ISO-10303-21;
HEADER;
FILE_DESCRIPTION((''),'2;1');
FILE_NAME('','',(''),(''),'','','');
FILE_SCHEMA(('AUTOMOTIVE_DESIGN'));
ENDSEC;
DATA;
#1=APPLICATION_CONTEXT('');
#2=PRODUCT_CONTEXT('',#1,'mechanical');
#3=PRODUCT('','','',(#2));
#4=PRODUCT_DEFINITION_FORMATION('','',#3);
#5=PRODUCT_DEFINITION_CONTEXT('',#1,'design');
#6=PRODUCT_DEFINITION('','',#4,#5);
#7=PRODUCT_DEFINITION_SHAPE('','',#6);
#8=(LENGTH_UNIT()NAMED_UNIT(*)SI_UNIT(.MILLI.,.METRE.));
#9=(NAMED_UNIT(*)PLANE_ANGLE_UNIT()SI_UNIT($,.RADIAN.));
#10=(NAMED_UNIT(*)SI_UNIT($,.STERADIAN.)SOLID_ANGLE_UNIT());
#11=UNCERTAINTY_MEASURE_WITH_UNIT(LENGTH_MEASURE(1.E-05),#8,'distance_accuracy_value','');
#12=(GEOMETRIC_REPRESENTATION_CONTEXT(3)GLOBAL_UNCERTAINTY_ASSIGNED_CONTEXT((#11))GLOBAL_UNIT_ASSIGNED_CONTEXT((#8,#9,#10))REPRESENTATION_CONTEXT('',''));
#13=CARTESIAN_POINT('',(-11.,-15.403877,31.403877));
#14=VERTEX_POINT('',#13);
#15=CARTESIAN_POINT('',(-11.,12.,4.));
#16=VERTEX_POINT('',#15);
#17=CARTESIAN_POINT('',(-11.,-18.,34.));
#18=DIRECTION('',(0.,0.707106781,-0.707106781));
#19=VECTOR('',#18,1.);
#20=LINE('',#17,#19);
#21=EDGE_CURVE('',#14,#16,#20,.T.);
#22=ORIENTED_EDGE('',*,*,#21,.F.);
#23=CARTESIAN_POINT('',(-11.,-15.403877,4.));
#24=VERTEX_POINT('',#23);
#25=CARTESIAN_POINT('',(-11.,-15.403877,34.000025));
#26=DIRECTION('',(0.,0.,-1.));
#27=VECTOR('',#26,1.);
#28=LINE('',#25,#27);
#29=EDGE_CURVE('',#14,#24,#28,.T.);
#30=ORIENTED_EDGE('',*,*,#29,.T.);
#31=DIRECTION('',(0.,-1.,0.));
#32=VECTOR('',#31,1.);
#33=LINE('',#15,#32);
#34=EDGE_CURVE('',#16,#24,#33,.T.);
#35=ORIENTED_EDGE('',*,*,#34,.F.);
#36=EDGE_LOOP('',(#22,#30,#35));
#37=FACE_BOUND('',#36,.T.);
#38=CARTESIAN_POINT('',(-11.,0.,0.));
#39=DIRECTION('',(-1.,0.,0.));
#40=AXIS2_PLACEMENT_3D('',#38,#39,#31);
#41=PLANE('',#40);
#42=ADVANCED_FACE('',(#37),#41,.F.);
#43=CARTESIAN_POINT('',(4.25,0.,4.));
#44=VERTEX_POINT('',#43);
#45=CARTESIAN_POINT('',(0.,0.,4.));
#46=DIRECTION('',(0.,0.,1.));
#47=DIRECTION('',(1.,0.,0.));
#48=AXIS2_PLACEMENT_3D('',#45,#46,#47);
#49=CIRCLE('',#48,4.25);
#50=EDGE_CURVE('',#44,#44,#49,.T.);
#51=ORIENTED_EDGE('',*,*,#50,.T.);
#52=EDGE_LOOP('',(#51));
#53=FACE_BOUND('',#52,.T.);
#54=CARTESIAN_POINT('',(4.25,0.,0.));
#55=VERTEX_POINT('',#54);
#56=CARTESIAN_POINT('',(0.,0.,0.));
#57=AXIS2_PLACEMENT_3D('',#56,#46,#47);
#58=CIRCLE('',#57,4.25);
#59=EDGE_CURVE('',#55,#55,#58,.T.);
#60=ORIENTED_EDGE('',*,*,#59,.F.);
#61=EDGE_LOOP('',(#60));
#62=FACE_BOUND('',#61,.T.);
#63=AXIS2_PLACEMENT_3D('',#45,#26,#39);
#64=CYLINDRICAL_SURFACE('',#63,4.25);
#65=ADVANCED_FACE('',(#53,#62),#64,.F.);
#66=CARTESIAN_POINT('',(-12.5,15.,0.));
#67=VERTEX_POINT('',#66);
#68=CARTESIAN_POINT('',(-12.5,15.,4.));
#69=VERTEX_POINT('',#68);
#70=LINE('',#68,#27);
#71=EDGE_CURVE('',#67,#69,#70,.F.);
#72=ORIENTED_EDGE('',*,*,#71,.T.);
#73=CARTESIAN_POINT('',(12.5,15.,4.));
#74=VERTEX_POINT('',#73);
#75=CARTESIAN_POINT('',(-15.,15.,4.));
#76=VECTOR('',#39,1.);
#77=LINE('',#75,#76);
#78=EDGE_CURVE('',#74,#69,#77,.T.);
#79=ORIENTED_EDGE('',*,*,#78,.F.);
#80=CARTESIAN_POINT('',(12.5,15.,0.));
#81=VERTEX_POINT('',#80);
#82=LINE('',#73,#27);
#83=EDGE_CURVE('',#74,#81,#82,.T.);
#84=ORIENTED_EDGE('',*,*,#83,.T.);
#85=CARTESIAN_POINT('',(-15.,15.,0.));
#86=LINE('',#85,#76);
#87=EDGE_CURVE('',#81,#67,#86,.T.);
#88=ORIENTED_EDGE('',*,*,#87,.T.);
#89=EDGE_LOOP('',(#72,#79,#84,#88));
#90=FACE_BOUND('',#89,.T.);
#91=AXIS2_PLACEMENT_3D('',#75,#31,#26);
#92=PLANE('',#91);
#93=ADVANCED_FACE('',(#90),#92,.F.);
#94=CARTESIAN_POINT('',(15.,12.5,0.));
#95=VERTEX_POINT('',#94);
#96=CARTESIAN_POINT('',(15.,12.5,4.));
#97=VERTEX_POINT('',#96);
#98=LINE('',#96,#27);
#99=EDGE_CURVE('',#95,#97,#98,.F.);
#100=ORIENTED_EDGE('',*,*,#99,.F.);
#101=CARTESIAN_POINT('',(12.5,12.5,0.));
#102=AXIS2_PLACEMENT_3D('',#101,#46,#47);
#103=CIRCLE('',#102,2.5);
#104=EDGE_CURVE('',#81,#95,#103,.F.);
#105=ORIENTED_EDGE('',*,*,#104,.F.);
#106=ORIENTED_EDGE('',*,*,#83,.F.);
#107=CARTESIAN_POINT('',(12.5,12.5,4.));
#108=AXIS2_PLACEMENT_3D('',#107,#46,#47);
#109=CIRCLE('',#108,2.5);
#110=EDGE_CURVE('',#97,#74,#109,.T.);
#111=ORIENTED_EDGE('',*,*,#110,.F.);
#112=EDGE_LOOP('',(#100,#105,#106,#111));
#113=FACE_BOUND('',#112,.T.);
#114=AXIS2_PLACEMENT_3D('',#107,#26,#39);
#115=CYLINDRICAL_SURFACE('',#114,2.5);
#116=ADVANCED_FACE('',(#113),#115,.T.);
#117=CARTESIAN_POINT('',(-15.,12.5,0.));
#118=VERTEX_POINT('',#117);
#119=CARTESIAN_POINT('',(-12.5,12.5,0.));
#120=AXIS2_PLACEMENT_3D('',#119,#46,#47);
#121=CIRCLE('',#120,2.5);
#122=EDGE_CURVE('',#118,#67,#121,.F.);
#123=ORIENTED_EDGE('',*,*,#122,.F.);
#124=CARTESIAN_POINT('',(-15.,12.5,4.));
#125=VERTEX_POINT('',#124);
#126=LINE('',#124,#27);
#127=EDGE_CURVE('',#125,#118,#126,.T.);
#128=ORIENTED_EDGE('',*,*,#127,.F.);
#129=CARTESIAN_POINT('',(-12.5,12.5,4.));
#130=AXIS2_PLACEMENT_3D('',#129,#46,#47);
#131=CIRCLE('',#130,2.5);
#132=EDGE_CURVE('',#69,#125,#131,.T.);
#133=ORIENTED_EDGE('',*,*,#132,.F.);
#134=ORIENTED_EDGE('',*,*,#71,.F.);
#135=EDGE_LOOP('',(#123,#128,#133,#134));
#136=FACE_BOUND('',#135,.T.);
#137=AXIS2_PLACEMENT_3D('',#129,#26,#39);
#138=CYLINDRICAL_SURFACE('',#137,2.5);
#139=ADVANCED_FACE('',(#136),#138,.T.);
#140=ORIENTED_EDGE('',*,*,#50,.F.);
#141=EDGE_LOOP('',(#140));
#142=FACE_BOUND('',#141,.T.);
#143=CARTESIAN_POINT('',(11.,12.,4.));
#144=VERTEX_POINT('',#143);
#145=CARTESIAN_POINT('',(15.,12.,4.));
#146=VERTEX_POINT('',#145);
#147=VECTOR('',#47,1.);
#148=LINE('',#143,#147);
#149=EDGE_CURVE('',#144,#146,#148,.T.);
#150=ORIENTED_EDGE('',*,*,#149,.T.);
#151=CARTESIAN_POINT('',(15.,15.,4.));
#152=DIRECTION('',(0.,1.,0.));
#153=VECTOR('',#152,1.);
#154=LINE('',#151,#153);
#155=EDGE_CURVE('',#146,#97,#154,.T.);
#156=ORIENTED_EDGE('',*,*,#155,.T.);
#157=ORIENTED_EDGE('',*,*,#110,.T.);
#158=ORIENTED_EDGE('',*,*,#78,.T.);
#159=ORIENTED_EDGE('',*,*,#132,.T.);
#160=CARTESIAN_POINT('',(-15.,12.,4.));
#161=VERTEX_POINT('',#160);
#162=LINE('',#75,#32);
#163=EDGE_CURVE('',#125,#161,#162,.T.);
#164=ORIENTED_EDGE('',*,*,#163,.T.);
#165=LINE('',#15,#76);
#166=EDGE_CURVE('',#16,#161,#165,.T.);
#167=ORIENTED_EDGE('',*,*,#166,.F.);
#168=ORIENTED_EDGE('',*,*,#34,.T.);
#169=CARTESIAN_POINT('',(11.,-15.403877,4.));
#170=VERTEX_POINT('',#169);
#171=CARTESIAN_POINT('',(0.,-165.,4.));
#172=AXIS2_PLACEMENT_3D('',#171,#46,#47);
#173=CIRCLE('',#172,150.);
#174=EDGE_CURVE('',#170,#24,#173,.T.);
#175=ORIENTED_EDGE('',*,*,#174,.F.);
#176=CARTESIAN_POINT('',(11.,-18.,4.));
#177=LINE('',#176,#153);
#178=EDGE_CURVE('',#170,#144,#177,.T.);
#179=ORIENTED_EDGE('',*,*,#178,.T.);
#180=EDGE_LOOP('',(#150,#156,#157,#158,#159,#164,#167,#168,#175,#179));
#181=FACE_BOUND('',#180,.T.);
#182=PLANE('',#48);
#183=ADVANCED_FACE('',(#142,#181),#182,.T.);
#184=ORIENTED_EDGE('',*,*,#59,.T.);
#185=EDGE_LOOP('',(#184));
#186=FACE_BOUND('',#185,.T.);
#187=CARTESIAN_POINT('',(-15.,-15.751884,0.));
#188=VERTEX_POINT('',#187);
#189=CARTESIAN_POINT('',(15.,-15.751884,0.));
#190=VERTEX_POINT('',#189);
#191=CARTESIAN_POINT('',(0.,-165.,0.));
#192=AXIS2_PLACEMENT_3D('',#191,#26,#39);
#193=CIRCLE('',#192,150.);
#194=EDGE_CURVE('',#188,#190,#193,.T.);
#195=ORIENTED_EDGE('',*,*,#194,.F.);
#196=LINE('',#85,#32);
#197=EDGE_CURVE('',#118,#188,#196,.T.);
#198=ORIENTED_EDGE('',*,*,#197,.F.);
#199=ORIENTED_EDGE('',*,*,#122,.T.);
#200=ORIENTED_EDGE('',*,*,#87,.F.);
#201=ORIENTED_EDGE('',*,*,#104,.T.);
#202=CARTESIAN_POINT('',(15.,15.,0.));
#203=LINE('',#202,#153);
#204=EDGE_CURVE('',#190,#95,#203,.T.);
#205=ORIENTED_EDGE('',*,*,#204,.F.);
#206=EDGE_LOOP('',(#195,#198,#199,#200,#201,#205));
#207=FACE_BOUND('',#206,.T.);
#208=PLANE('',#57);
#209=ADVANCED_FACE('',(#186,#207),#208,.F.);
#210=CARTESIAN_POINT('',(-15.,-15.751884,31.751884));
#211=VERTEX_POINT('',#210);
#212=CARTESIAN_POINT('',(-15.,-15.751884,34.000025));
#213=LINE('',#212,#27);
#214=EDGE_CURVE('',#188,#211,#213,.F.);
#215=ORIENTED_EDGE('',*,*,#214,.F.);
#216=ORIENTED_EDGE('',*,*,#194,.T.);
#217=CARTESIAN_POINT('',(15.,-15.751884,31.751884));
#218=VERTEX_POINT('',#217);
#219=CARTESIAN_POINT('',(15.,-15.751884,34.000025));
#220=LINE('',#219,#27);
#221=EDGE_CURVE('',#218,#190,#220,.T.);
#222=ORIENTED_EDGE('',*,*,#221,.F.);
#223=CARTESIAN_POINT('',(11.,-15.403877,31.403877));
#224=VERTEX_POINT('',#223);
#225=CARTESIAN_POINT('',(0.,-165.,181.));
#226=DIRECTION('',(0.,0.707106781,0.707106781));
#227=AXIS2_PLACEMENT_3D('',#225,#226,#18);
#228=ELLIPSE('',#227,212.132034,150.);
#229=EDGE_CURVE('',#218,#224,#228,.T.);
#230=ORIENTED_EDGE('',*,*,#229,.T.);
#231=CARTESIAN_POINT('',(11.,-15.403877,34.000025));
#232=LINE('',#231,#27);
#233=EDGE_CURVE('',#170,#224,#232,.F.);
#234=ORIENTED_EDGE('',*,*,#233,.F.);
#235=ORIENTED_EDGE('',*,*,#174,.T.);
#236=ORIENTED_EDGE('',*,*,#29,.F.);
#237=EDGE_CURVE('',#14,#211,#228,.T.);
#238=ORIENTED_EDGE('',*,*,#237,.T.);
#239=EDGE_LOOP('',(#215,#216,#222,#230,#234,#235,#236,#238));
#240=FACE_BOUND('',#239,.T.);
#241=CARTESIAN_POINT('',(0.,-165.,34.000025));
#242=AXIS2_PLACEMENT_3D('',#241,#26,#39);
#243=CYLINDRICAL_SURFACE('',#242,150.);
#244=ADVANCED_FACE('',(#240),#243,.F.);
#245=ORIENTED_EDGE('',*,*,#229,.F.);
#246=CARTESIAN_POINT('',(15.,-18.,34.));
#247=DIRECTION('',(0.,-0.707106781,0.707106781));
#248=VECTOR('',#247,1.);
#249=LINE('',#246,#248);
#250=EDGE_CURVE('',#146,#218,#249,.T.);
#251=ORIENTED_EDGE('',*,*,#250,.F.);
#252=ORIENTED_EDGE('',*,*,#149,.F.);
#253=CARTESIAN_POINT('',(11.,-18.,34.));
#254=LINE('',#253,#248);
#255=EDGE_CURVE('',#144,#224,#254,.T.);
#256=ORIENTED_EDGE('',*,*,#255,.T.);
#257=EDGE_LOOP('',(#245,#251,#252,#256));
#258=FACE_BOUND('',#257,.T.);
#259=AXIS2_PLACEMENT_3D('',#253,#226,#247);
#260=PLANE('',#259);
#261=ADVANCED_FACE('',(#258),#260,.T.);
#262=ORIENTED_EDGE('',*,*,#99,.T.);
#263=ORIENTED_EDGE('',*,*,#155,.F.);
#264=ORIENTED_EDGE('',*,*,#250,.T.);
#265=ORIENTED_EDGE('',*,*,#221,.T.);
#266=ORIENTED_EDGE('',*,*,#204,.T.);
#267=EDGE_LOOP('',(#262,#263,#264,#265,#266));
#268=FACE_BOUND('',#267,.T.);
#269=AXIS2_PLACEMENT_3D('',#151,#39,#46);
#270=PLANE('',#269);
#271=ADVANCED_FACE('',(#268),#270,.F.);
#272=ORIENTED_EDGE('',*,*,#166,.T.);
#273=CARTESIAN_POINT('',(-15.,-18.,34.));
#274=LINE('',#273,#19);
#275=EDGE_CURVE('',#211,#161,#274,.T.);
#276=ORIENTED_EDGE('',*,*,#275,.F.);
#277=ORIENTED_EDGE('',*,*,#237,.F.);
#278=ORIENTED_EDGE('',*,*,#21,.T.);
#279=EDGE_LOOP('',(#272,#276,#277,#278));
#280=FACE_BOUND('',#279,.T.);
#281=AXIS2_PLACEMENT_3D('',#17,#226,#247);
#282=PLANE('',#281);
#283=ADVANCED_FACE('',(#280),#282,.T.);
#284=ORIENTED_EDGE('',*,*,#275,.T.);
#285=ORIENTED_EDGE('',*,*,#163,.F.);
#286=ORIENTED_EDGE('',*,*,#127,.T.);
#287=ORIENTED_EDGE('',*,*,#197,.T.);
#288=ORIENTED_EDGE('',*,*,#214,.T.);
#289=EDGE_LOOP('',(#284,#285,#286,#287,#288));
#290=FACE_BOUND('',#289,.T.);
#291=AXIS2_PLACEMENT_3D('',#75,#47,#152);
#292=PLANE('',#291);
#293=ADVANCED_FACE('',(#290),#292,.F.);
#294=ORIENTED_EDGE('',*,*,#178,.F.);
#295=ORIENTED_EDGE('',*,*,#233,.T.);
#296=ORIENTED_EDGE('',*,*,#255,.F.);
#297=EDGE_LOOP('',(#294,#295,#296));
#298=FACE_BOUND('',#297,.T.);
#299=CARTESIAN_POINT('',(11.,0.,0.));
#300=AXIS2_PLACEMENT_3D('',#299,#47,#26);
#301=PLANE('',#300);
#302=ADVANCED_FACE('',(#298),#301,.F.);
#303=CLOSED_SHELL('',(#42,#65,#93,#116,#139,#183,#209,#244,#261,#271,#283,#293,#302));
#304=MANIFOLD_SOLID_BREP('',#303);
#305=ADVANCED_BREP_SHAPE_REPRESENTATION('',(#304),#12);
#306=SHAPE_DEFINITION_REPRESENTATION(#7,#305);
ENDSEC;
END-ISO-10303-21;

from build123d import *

# Parameters (mm, degrees)
ESQUISSE1_W             = 30
ESQUISSE1_H             = 33
ESQUISSE1_R             = 4.25
BOSS_EXTRU_1_DEPTH      = 4
CONG_1_R                = 2.5
BOSS_EXTRU_2_DEPTH      = 4
BOSS_EXTRU_3_DEPTH      = 4
ESQUISSE5_R             = 150
ENL_V_MAT_EXTRU_1_DEPTH = 42.291645644


with BuildPart() as part:
    # Esquisse1 → Boss.-Extru.1 (new body)
    with BuildSketch(Plane.XY):
        with Locations((0, -1.5)):
            Rectangle(ESQUISSE1_W, ESQUISSE1_H)
        Circle(ESQUISSE1_R, mode=Mode.SUBTRACT)
    extrude(amount=BOSS_EXTRU_1_DEPTH)

    # Congé1
    cong_1_edges = [part.edges().sort_by_distance(p)[0] for p in [
        (-15, 15, 2),
        (15, 15, 2),
    ]]
    fillet(cong_1_edges, radius=CONG_1_R)

    # Esquisse2 → Boss.-Extru.2 (add)
    with BuildSketch(Plane(origin=(15, 0, 0), x_dir=(0, 0, -1), z_dir=(1, 0, 0))):
        Polygon((-4, -18), (-34, -18), (-4, 12), align=None)
    extrude(amount=-BOSS_EXTRU_2_DEPTH)

    # Esquisse4 → Boss.-Extru.3 (add)
    with BuildSketch(Plane.ZY.offset(15)):
        Polygon((4, -18), (34, -18), (4, 12), align=None)
    extrude(amount=-BOSS_EXTRU_3_DEPTH)

    # Esquisse5 → Enlèv. mat.-Extru.1 (cut, through all)
    with BuildSketch(Plane(origin=(0, 0, 0), x_dir=(-1, 0, 0), z_dir=(0, 0, -1))):
        with Locations((0, -165)):
            Circle(ESQUISSE5_R)
    extrude(amount=-ENL_V_MAT_EXTRU_1_DEPTH, mode=Mode.SUBTRACT)


solid = part.part
